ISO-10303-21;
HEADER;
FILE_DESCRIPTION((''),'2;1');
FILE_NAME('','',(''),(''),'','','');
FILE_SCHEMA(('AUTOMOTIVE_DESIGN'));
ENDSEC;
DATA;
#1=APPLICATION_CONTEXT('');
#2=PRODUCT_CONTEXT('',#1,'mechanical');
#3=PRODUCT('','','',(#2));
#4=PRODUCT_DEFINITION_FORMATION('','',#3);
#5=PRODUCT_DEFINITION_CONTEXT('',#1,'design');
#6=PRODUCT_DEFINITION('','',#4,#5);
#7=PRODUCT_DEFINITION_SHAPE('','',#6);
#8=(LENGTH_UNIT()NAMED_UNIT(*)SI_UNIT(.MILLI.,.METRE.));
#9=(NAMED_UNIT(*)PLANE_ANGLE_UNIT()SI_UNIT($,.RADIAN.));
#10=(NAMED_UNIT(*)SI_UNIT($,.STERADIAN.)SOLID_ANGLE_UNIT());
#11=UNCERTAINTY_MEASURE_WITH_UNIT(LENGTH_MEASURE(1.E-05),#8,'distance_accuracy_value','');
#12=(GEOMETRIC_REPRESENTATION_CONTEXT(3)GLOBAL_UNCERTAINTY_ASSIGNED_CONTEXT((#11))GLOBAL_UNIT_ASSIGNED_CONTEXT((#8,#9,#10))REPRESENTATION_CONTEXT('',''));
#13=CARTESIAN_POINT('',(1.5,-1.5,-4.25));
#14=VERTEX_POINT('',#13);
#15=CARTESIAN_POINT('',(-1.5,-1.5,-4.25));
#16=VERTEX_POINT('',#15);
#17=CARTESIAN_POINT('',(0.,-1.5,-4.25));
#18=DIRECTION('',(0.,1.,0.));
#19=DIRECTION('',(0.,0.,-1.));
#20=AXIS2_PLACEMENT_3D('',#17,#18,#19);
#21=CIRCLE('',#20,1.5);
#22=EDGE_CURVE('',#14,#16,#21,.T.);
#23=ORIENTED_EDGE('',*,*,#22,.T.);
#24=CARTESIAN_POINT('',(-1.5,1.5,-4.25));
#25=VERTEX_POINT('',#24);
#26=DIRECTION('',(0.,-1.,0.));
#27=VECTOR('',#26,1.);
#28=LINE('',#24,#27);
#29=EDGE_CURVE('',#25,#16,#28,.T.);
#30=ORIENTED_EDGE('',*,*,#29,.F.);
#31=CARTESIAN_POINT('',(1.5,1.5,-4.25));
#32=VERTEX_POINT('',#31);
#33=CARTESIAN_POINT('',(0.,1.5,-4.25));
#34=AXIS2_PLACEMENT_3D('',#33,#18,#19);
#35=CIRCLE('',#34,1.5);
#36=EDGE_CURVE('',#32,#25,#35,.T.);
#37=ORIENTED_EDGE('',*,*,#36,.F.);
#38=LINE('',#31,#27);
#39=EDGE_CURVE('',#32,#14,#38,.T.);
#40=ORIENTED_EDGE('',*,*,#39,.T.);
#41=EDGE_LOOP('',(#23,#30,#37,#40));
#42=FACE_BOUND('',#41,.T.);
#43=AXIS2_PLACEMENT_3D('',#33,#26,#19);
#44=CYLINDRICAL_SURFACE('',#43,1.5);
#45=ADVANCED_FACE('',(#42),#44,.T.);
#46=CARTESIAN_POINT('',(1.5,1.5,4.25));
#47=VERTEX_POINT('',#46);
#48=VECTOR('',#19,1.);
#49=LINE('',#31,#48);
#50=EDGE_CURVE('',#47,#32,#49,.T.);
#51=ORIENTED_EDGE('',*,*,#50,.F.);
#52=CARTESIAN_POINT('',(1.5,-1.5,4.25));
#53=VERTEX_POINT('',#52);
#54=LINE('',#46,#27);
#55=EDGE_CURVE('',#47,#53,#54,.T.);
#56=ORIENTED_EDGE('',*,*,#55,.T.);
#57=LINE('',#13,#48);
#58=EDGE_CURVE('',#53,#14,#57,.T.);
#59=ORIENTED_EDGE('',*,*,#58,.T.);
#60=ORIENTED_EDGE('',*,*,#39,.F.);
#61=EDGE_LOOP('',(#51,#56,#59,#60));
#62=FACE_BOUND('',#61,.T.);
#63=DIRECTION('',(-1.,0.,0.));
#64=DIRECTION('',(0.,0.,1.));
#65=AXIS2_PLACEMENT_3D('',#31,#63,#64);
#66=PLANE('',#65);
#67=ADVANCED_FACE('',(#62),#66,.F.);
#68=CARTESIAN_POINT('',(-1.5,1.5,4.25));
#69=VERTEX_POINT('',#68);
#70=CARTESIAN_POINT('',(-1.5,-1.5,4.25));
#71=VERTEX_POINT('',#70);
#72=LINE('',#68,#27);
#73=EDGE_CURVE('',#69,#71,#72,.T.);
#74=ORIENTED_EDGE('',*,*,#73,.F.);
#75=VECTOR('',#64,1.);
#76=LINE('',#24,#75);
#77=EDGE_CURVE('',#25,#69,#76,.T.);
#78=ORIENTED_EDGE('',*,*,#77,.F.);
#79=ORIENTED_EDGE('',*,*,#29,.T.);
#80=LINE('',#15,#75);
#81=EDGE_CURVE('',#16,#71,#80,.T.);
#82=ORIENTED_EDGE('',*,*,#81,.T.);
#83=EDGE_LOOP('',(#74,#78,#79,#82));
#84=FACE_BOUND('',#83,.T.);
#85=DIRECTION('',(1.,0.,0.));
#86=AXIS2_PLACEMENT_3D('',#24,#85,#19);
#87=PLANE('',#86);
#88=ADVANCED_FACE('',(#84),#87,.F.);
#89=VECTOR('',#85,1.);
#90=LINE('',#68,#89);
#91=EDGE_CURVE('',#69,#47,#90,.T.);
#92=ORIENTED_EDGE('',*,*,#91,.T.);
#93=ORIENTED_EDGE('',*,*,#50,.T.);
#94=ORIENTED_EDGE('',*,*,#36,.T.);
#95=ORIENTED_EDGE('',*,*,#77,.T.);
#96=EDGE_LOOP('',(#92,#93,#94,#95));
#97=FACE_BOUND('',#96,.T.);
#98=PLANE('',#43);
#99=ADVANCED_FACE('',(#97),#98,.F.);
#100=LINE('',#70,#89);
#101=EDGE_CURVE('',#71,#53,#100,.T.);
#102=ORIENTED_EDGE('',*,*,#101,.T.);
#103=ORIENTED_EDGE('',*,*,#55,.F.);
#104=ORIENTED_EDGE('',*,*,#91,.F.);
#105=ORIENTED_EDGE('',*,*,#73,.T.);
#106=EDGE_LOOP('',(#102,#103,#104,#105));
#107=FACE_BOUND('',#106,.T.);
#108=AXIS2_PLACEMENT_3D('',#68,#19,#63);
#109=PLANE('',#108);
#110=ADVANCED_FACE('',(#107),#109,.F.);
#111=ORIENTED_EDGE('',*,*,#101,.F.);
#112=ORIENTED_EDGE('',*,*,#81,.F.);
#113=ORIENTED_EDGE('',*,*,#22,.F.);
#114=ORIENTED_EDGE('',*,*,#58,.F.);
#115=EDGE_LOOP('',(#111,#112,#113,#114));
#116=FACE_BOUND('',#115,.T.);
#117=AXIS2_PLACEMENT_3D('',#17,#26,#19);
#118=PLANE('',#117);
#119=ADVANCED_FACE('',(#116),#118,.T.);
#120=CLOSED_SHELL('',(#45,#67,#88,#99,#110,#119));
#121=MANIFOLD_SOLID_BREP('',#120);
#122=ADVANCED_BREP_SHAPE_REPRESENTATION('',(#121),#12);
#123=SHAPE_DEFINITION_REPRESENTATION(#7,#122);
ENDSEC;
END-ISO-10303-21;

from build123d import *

# Parameters (mm, degrees)
BOSS_EXTRUDE1_DEPTH = 1.5


with BuildPart() as part:
    # Sketch2 → Boss-Extrude1 (new, symmetric)
    with BuildSketch(Plane(origin=(0, 0, 0), x_dir=(1, 0, 0), z_dir=(0, 1, 0))):
        with BuildLine():
            Line((-1.5, 4.25), (-1.5, -4.25))
            Line((-1.5, -4.25), (1.5, -4.25))
            Line((1.5, -4.25), (1.5, 4.25))
            ThreePointArc((1.5, 4.25), (0, 5.75), (-1.5, 4.25))
        make_face()
    extrude(amount=BOSS_EXTRUDE1_DEPTH, both=True)


solid = part.part
